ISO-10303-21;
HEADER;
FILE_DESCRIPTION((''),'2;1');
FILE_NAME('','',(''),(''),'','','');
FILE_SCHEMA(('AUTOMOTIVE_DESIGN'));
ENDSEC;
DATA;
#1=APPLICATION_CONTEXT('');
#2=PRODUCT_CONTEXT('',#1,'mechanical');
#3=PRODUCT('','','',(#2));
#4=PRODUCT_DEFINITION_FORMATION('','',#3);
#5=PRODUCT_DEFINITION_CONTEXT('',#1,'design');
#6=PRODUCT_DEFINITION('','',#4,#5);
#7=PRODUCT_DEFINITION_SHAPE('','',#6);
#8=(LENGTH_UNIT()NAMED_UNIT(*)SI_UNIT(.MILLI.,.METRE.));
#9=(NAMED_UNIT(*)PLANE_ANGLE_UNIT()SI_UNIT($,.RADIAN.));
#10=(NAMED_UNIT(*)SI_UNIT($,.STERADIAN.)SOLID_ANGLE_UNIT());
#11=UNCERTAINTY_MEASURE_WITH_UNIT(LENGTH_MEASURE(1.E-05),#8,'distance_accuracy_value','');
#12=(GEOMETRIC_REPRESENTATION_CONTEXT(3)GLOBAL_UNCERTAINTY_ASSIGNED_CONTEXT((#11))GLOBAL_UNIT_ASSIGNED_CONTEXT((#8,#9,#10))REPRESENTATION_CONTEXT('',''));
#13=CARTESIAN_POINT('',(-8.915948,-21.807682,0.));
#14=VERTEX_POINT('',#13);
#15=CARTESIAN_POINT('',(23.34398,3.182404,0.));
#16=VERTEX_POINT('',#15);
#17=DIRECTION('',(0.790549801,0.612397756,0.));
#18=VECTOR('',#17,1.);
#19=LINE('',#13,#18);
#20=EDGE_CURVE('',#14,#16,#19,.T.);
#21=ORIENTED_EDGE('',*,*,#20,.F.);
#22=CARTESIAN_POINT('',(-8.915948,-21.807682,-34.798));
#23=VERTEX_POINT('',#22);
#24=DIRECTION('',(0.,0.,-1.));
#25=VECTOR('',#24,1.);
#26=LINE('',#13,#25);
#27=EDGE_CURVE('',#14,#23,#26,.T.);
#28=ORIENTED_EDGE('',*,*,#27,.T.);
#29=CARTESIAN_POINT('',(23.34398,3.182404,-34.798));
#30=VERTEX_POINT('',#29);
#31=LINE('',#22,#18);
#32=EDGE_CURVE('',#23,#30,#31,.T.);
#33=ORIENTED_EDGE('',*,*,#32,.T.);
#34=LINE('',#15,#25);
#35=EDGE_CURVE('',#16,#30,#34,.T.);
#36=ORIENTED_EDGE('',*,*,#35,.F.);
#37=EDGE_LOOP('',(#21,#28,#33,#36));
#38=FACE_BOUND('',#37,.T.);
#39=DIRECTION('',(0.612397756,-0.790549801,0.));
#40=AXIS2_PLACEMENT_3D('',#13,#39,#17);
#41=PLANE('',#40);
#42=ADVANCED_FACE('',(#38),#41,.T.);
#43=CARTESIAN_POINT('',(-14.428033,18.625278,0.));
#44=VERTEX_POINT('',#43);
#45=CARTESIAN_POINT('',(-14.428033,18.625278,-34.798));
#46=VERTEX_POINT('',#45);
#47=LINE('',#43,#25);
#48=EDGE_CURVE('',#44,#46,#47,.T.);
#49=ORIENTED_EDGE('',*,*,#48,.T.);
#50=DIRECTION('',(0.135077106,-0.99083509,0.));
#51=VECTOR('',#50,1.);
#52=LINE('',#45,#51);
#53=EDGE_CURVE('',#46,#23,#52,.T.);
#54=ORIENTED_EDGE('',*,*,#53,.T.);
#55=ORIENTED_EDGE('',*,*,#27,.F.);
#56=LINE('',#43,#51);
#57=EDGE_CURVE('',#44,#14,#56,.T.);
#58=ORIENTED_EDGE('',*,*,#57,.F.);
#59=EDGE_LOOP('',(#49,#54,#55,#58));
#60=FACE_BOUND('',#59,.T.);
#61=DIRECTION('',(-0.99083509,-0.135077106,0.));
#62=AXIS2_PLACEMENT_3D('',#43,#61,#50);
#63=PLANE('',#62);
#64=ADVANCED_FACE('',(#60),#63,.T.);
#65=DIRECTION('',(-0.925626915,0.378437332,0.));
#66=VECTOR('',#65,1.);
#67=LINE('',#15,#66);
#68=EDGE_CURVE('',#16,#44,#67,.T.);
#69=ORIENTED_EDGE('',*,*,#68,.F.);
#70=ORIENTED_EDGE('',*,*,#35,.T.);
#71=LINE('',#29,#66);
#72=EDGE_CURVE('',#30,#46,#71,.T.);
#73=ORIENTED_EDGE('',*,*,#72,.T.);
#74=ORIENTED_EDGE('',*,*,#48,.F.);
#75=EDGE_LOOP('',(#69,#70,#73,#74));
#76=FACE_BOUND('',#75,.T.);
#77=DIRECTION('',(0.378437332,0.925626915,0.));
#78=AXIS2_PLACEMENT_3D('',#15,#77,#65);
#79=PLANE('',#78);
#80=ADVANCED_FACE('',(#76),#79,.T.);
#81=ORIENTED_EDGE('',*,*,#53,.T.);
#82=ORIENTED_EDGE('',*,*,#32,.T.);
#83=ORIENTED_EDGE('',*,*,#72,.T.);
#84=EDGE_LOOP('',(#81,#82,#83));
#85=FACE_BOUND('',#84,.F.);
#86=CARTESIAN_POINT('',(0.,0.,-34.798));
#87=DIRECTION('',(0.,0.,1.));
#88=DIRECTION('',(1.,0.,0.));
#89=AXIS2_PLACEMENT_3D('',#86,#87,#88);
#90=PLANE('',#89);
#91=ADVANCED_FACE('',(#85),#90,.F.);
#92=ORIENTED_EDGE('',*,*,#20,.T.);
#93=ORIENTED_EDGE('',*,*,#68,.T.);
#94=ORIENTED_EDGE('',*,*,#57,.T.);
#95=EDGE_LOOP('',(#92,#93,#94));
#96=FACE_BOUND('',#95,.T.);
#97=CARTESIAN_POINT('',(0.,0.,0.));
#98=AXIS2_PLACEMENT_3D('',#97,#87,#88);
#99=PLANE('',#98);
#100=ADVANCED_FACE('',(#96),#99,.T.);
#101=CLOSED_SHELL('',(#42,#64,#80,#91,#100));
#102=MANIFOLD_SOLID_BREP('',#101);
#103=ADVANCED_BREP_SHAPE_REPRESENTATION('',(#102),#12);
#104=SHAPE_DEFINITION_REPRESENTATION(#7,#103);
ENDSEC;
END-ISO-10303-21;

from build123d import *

# Parameters (mm, degrees)
F1_DEPTH = 34.798


with BuildPart() as f1:
    # F0 (on Top) → F1 (new body)
    with BuildSketch(Plane.XY):
        Polygon((-8.915948, -21.807682), (23.34398, 3.182404), (-14.428033, 18.625278), align=None)
    extrude(amount=-F1_DEPTH)


solid = f1.part
